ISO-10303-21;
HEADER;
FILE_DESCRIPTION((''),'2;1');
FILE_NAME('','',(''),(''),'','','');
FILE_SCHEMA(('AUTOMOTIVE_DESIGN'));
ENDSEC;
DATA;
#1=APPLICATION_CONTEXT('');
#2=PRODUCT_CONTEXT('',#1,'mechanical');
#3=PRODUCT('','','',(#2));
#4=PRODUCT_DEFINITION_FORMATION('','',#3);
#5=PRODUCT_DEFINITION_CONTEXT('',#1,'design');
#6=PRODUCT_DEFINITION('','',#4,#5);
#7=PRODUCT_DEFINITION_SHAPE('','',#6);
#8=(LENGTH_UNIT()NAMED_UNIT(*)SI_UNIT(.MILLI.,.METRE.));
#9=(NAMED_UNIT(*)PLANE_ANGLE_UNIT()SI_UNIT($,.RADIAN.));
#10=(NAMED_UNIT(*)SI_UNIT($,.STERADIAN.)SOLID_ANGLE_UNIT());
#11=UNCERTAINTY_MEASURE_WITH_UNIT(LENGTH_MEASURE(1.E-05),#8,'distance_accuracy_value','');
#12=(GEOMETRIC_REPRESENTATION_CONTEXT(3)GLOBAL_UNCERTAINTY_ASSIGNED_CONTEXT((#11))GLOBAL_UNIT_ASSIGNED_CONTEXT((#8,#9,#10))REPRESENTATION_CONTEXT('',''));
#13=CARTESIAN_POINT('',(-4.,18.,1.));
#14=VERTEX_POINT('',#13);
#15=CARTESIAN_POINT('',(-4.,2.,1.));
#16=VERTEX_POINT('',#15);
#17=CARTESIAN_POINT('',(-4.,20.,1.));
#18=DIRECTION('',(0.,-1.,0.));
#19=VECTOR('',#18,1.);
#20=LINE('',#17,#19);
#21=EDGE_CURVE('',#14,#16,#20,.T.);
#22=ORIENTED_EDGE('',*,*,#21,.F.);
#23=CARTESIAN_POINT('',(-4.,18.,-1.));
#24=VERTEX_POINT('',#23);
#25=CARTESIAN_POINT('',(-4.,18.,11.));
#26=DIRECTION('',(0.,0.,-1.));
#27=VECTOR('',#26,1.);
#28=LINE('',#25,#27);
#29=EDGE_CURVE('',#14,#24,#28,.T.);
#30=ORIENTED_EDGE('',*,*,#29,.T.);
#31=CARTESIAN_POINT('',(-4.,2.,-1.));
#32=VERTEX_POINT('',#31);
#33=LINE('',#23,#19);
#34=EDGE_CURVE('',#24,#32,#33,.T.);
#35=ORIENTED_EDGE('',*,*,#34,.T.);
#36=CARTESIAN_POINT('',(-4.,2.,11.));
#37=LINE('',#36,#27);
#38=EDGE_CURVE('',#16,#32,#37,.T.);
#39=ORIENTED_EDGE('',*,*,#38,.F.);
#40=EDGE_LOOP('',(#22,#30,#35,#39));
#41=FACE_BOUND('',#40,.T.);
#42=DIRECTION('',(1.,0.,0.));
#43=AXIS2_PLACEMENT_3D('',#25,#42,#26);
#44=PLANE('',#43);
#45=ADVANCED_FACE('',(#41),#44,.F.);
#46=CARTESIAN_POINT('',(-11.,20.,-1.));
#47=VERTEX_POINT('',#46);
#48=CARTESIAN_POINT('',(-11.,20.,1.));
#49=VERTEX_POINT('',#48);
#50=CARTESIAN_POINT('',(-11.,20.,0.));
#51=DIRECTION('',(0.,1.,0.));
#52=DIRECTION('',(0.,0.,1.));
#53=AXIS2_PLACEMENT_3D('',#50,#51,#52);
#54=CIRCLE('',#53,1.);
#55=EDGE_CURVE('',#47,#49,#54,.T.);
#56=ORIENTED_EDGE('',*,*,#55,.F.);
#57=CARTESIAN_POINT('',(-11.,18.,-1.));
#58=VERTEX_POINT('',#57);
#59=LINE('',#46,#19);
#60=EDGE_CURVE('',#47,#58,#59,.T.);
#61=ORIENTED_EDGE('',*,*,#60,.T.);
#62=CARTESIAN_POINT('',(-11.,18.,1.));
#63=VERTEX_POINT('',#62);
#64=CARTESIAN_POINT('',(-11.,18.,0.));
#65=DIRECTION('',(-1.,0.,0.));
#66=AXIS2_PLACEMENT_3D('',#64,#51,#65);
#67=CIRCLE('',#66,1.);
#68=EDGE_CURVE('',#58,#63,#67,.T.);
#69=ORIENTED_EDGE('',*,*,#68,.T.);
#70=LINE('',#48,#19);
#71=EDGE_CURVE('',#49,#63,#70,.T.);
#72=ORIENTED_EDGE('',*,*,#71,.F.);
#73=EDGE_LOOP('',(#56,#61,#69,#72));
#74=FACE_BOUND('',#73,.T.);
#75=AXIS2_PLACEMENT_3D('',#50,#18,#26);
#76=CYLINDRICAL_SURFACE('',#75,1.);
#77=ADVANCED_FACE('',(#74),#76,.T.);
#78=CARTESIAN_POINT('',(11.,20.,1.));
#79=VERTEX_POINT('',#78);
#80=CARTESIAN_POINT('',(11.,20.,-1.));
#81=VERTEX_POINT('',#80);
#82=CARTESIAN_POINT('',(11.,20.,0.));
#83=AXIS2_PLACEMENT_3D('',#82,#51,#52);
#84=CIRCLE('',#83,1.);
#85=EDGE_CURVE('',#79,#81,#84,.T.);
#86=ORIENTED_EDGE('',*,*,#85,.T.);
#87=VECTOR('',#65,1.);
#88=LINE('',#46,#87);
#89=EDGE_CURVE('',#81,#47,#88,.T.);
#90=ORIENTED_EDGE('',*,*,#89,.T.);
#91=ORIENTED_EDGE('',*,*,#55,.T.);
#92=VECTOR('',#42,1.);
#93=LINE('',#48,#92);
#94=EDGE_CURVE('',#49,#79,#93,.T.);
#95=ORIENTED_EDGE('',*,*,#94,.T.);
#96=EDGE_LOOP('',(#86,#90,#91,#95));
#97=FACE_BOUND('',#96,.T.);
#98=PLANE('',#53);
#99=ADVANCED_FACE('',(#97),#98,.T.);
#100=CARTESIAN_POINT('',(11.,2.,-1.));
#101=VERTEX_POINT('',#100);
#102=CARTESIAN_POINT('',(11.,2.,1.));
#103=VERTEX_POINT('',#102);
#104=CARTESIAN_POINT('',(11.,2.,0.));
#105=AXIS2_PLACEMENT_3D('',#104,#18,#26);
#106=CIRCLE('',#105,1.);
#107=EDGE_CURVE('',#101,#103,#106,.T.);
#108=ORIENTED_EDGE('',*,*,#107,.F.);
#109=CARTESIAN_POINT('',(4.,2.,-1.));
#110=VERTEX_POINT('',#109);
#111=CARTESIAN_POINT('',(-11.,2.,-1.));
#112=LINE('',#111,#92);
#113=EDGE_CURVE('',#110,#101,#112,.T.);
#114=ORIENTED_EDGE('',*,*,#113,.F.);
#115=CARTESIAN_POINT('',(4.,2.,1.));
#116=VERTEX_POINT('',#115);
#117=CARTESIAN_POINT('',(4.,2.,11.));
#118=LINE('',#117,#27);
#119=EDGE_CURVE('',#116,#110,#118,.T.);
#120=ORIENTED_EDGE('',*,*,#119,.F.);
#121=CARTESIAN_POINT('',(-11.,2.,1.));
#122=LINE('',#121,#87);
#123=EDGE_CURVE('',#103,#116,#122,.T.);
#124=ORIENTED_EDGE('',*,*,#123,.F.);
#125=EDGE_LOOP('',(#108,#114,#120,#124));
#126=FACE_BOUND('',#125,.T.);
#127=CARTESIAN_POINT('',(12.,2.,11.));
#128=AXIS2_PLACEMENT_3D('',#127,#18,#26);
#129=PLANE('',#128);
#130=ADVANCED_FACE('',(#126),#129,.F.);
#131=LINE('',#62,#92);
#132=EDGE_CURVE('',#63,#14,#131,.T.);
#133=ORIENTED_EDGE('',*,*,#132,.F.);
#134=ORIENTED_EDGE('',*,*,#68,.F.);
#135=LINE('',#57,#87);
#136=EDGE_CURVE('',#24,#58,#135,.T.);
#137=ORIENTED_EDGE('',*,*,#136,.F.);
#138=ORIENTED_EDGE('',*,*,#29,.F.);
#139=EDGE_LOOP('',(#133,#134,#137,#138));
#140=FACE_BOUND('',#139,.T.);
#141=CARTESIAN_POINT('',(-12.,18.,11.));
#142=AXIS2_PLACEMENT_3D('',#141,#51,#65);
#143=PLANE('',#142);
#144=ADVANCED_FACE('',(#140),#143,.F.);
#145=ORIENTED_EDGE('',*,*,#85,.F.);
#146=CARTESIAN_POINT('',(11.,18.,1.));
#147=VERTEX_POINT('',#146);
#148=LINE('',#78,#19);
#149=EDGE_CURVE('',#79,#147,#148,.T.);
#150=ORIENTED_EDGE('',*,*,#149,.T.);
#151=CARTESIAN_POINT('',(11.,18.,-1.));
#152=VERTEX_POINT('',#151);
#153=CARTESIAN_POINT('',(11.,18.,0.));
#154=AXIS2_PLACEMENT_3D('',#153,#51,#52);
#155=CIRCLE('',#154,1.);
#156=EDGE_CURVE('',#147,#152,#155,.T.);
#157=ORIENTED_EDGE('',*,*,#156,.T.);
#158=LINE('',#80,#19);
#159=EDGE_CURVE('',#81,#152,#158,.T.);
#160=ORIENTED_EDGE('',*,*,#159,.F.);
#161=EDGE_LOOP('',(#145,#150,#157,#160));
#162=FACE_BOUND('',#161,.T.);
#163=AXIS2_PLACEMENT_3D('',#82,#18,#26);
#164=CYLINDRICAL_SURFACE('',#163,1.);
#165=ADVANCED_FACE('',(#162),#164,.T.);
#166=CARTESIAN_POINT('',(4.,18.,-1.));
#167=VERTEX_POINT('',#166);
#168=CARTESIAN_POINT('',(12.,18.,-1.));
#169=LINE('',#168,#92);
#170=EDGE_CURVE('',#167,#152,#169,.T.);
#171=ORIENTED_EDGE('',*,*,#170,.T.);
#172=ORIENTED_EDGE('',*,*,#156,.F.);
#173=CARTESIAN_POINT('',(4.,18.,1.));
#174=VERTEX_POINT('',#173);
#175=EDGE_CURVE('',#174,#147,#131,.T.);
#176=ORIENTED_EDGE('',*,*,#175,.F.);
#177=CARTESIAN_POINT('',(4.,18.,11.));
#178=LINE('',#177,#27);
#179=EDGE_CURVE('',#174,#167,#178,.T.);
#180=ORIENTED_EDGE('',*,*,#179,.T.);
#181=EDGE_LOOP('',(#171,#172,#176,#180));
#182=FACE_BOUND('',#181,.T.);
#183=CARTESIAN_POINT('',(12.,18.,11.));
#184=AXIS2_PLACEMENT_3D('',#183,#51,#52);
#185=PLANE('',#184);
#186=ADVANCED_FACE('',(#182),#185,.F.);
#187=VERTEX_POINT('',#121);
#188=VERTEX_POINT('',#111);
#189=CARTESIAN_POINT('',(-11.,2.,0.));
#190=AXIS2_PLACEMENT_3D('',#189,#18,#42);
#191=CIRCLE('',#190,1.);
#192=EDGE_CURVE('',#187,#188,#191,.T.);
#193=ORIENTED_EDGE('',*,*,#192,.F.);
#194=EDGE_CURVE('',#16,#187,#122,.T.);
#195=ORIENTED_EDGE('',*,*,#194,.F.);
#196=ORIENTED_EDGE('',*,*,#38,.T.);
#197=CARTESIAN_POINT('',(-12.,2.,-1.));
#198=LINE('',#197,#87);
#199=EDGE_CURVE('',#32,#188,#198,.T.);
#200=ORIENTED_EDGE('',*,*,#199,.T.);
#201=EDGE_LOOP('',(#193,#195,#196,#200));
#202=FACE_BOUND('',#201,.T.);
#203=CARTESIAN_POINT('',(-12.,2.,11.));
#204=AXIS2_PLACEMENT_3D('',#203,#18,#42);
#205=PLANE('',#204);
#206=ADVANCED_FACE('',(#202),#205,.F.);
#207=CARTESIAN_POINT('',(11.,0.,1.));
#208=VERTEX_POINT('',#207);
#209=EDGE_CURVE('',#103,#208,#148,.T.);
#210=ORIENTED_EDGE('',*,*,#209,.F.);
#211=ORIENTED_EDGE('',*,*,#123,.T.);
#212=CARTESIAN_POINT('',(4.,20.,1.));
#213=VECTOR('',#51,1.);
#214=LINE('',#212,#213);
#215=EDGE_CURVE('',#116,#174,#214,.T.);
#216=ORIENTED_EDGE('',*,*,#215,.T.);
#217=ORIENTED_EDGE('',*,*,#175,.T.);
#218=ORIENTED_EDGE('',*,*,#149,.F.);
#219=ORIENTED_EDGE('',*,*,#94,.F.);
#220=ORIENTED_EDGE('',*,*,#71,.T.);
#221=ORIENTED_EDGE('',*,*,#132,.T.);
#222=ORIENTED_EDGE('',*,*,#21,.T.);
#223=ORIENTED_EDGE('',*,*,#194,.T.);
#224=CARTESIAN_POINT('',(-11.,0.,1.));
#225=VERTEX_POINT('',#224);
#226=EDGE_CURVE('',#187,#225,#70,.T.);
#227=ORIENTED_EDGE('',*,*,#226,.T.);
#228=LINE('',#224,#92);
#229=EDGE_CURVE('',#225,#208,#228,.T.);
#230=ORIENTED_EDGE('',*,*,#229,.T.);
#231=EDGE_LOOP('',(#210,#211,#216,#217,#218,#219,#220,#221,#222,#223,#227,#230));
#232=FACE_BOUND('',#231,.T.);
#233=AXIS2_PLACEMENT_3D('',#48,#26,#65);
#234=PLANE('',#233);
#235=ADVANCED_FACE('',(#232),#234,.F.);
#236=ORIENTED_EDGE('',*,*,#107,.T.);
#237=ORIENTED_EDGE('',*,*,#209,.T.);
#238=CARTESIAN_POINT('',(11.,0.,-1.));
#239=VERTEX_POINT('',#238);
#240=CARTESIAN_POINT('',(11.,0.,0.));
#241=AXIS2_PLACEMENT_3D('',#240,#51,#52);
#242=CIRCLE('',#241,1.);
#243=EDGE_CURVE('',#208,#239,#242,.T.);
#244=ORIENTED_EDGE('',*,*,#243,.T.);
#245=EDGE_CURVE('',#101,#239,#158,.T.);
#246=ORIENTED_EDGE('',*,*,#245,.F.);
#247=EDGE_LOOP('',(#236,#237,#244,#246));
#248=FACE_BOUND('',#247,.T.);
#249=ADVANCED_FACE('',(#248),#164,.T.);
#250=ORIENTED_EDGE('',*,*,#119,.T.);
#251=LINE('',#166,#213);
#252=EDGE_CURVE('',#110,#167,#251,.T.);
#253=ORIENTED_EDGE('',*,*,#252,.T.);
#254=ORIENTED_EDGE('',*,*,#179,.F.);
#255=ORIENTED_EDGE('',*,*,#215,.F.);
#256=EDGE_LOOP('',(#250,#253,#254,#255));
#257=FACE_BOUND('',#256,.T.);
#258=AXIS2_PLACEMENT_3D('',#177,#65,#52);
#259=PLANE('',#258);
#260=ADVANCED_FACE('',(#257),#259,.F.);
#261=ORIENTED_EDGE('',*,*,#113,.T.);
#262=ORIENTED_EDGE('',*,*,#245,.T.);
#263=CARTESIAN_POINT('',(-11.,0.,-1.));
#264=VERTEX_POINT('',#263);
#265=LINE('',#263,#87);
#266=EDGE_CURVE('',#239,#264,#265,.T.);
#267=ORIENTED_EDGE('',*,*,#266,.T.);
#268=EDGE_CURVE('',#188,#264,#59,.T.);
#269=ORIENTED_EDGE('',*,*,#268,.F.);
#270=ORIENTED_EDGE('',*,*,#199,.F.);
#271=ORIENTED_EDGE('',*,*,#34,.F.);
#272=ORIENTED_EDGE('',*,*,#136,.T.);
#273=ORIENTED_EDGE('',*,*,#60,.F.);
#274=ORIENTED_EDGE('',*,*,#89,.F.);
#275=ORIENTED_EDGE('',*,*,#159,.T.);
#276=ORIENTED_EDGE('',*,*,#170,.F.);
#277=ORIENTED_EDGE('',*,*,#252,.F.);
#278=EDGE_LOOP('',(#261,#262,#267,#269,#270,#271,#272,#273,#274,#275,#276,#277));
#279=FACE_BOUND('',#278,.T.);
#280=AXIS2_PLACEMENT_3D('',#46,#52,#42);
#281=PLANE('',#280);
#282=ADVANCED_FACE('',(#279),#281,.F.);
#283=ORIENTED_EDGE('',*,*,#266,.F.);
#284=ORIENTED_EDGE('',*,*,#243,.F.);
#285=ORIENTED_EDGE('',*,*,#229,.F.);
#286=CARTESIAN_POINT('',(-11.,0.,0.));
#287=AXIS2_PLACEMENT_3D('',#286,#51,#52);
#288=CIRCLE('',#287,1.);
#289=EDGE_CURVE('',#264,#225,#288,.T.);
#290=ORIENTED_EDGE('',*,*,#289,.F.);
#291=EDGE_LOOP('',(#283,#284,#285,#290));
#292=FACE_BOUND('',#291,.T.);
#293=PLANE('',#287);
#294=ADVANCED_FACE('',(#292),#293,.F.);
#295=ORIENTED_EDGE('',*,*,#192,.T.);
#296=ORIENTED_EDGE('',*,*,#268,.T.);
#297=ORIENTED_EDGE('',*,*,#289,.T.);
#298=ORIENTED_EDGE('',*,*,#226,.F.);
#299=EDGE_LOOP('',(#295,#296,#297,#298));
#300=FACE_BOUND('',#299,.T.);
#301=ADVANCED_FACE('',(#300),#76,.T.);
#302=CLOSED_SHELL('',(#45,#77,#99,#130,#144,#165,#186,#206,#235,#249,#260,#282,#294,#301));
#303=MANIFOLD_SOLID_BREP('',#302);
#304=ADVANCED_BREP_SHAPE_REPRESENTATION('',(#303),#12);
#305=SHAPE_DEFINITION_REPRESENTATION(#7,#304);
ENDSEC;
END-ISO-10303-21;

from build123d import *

# Parameters (mm, degrees)
EXTRUDE_1_DEPTH     = 20
SKETCH_2_W          = 8
SKETCH_2_H          = 16
CUT_EXTRUDE_1_DEPTH = 12


with BuildPart() as part:
    # 草图1 → 凸台-拉伸1 (new body)
    with BuildSketch(Plane(origin=(0, 0, 0), x_dir=(1, 0, 0), z_dir=(0, 1, 0))):
        with BuildLine():
            Line((-11, 1), (11, 1))
            ThreePointArc((11, 1), (12, 0), (11, -1))
            Line((11, -1), (-11, -1))
            ThreePointArc((-11, -1), (-12, 0), (-11, 1))
        make_face()
    extrude(amount=EXTRUDE_1_DEPTH)

    # 草图2 → 切除-拉伸1 (cut)
    with BuildSketch(Plane(origin=(0, 0, -1), x_dir=(-1, 0, 0), z_dir=(0, 0, -1))):
        with Locations((-8, 10)):
            Rectangle(SKETCH_2_W, SKETCH_2_H)
        with Locations((8, 10)):
            Rectangle(SKETCH_2_W, SKETCH_2_H)
    extrude(amount=-CUT_EXTRUDE_1_DEPTH, mode=Mode.SUBTRACT)


solid = part.part
